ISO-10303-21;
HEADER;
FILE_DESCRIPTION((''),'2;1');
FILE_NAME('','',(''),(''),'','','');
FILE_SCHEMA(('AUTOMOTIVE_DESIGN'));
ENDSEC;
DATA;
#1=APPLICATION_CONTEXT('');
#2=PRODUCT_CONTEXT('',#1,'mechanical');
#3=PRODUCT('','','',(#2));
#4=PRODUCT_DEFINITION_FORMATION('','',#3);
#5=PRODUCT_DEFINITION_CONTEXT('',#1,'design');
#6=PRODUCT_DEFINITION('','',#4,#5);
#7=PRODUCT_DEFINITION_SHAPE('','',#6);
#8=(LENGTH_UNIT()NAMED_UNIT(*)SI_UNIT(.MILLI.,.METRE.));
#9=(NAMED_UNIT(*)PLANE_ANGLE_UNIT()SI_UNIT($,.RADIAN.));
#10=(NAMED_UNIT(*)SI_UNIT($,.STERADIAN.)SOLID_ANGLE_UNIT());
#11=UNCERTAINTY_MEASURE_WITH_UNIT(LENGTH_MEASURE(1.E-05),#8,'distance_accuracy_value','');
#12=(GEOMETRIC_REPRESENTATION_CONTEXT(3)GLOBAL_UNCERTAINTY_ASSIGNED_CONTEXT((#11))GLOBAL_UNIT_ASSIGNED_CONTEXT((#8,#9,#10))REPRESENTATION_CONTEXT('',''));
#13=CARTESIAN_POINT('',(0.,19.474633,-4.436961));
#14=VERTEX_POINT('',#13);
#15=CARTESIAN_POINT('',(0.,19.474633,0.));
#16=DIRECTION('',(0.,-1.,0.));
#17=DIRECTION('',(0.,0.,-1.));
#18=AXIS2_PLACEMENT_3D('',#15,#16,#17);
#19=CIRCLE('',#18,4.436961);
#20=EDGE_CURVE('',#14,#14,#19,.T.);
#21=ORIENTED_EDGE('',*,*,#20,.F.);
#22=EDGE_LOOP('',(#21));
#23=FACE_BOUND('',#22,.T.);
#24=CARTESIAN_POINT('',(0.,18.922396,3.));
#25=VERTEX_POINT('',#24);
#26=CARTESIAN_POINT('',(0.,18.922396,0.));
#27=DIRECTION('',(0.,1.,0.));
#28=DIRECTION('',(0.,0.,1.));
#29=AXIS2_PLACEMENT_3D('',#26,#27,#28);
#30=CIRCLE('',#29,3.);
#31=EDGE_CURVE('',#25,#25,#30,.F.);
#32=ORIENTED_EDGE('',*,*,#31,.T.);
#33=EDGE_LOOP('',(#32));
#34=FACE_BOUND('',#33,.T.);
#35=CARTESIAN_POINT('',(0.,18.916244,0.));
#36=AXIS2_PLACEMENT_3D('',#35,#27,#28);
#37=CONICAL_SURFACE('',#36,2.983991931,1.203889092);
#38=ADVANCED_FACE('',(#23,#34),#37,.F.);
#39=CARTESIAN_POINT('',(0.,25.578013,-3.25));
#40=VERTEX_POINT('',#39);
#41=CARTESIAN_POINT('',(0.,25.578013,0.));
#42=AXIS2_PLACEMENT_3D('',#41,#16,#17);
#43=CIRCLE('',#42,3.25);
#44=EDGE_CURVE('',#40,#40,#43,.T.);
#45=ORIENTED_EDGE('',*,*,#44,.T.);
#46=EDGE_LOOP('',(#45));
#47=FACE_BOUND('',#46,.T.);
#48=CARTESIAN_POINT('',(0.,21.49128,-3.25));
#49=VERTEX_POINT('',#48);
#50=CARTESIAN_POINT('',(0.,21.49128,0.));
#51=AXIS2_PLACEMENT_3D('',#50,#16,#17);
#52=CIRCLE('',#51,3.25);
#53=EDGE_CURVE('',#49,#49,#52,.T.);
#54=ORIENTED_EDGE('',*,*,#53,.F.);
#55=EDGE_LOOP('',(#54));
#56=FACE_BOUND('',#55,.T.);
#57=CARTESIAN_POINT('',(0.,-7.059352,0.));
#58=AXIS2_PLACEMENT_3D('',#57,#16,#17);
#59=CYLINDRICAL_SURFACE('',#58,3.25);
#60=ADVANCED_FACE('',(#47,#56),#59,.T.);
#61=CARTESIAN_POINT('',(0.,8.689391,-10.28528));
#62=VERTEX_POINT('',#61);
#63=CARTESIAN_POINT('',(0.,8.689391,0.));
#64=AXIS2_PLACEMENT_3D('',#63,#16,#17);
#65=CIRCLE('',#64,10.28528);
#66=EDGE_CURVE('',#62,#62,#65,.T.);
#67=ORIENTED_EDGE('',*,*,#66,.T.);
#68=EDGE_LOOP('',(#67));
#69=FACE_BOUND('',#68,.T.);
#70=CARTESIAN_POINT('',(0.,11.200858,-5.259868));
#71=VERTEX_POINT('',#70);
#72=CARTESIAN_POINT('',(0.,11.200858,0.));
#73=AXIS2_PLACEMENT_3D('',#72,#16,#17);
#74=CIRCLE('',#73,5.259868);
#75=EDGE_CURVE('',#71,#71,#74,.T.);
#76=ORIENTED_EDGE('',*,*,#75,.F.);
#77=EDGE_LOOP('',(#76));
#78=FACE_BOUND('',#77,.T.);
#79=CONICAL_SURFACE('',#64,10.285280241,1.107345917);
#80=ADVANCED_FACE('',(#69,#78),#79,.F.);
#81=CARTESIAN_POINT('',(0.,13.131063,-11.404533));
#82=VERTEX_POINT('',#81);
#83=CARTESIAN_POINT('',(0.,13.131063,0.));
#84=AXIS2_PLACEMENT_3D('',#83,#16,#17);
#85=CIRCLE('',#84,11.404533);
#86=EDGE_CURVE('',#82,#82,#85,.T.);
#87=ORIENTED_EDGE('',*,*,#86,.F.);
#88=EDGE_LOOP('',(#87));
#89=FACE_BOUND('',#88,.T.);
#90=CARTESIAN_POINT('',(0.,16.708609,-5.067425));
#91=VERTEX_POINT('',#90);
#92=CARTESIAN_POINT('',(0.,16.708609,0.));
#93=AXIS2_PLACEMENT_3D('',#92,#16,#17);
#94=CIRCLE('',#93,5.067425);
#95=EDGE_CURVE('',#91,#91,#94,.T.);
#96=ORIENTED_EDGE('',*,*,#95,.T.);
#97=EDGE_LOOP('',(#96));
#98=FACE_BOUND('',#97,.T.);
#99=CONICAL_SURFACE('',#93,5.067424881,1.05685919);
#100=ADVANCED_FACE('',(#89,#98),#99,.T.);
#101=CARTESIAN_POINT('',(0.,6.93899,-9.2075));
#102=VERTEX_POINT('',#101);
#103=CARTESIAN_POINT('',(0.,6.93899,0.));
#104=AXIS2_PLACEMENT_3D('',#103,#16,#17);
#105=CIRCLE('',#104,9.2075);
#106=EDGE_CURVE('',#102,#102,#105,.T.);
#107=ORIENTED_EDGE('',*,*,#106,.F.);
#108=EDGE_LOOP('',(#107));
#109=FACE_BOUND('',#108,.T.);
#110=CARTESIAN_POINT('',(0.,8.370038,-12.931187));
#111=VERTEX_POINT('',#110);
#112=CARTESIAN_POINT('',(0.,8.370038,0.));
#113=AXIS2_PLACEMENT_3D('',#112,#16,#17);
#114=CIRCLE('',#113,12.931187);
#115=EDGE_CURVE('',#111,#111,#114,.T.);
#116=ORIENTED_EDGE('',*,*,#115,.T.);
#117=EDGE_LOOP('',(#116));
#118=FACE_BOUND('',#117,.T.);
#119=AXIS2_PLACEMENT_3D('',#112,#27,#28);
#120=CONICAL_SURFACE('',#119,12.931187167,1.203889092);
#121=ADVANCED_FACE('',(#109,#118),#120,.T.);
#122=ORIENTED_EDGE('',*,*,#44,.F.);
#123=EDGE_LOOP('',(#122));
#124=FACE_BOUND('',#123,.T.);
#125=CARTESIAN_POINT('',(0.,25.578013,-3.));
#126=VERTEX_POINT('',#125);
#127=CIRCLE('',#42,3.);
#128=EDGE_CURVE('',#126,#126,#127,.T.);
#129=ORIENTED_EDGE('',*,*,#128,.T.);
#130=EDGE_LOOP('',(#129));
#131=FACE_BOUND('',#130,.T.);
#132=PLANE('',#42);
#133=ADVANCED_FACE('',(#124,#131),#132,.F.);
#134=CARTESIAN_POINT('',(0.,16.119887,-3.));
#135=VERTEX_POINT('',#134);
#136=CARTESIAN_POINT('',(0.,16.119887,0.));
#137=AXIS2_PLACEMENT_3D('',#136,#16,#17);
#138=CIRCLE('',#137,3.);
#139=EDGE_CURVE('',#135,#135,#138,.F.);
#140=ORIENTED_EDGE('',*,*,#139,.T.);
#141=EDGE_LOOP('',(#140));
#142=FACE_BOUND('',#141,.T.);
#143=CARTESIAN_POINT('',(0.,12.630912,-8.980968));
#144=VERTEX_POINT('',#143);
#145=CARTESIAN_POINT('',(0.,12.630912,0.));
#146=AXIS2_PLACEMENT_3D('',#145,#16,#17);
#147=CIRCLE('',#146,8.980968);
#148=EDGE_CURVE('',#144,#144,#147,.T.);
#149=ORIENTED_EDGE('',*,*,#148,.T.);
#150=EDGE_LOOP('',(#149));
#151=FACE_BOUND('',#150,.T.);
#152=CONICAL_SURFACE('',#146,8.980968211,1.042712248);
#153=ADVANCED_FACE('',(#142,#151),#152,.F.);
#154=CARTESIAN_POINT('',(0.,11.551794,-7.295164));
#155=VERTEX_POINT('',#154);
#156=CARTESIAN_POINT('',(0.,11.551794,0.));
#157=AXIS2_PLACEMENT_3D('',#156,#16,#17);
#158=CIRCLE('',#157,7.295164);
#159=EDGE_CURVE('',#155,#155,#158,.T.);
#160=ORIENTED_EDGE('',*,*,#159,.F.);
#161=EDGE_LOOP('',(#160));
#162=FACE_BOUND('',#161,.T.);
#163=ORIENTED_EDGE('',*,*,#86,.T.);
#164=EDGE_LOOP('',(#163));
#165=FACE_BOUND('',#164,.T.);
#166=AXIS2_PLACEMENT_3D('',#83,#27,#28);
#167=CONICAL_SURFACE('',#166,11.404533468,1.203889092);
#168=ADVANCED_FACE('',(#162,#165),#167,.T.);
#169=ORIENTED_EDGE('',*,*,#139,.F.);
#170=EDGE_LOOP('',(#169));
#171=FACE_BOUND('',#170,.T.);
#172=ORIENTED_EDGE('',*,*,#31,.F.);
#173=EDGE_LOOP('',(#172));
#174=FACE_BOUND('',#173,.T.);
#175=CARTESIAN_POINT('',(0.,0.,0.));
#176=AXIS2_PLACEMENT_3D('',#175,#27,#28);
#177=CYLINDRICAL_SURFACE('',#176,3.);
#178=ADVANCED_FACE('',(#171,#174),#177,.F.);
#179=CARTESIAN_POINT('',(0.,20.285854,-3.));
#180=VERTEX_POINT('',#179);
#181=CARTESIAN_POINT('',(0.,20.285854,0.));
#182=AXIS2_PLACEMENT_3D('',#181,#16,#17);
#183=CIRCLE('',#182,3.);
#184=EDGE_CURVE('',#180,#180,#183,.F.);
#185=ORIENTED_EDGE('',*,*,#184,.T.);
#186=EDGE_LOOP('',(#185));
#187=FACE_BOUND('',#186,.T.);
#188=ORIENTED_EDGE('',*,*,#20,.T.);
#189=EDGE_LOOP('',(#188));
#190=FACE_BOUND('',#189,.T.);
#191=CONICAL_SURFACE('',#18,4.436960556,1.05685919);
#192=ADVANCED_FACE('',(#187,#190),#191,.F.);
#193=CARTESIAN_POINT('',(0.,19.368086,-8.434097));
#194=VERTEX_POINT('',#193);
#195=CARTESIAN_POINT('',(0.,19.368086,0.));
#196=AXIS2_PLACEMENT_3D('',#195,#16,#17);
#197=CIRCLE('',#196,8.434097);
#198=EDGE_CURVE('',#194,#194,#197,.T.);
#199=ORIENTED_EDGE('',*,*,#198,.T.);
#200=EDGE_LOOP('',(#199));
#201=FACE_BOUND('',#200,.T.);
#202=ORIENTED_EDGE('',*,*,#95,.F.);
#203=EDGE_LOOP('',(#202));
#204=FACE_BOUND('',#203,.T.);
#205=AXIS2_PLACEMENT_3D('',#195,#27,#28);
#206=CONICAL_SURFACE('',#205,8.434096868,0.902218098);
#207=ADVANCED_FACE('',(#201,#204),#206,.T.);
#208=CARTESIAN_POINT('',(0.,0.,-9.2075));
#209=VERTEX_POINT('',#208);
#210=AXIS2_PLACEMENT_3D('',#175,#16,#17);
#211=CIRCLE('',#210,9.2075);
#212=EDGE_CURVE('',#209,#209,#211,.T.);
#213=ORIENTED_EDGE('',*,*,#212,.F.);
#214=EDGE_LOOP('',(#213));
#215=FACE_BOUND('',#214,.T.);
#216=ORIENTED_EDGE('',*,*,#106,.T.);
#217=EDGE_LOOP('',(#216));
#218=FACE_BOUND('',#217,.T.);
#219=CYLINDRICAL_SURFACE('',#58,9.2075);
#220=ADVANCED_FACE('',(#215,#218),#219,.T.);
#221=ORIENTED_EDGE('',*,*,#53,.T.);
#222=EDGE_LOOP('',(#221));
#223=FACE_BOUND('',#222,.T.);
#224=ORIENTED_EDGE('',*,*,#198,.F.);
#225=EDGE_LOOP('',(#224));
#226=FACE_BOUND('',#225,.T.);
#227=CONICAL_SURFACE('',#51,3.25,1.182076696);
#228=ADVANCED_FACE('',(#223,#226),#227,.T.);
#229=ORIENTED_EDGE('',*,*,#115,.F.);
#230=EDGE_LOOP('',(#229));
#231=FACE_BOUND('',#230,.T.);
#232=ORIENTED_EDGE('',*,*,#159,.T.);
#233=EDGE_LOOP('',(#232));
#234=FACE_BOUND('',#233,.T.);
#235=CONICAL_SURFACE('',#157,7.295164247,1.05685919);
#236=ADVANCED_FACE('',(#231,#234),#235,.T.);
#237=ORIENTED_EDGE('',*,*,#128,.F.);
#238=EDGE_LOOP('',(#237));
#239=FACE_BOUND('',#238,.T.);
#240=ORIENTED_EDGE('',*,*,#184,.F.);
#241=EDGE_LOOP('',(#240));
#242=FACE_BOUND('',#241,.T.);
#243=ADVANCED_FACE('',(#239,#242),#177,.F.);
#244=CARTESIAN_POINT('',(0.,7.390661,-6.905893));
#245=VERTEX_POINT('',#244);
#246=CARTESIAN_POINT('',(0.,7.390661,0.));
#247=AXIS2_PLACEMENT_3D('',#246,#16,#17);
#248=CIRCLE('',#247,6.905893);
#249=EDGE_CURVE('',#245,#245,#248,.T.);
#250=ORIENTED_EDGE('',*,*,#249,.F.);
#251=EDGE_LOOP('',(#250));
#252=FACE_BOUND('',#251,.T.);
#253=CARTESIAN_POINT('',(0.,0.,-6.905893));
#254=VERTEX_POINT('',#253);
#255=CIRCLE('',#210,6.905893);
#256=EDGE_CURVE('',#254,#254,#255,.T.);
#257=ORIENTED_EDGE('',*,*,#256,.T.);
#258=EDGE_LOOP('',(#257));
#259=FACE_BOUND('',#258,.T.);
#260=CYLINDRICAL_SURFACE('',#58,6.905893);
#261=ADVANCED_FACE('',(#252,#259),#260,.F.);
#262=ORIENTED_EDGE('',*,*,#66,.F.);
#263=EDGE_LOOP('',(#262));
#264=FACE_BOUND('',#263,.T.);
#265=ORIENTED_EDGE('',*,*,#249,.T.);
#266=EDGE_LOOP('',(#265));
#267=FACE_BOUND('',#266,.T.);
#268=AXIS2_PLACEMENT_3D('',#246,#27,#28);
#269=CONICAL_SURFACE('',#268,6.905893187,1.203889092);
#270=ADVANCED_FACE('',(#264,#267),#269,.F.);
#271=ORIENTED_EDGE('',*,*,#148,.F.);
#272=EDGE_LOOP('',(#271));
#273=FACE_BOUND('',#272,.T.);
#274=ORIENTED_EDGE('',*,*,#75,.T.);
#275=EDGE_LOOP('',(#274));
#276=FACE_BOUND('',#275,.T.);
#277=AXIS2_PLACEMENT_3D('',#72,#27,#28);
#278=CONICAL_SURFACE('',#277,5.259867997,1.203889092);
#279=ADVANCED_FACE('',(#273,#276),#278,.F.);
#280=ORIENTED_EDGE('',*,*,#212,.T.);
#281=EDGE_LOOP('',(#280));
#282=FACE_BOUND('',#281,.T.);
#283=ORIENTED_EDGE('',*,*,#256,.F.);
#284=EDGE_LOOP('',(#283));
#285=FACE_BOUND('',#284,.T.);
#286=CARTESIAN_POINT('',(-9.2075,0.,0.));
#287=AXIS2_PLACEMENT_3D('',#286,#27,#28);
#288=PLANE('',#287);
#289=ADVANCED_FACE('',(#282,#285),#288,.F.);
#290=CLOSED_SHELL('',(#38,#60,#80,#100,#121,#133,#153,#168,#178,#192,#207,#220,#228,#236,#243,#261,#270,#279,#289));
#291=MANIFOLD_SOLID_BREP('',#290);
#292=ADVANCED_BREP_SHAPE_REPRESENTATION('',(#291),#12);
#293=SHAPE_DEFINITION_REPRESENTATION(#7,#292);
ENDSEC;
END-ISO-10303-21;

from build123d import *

# Parameters (mm, degrees)
CUT_EXTRUDE1_DEPTH      = 32.44305901
CUT_EXTRUDE1_DEPTH_BACK = 32.44305901
SKETCH2_R               = 3


with BuildPart() as part:
    # Sketch1 → Revolve1 (revolve)
    with BuildSketch(Plane.XY, mode=Mode.PRIVATE) as revolve1_sk:
        Polygon((-9.2075, 6.93899031), (-9.2075, 5.967196114), (-9.2075, 0), (-6.905893187, 0), (-6.905893187, 6.416213171), (-6.905893187, 7.390660798), (-10.285280241, 8.689390938), (-5.259867997, 11.200858424), (-8.980968211, 12.630912137), (-2.983991931, 16.129225704), (-2.983991931, 18.916244006), (-4.436960556, 19.474633476), (0, 21.979471408), (0, 25.578013153), (-3.25, 25.578013153), (-3.25, 21.491279951), (-8.434096868, 19.368086458), (-5.067424881, 16.708608808), (-11.404533468, 13.131062925), (-7.295164247, 11.551793791), (-12.931187167, 8.370038214), align=None)
    revolve(revolve1_sk.sketch.rotate(Axis((0, -7.059352361, 0), (0, 1, 0)), 270), axis=Axis((0, -7.059352361, 0), (0, 1, 0)))

    # Sketch2 → Cut-Extrude1 (cut, two sides: drawn at the far end of the back side and taken through both)
    with BuildSketch(Plane(origin=(0, 25.578013153, 0), x_dir=(1, 0, 0), z_dir=(0, 1, 0)).offset(-CUT_EXTRUDE1_DEPTH_BACK)):
        with Locations(Location((0, 0, 0), (0, 0, 90))):
            Circle(SKETCH2_R)
    extrude(amount=CUT_EXTRUDE1_DEPTH + CUT_EXTRUDE1_DEPTH_BACK, mode=Mode.SUBTRACT)


solid = part.part
